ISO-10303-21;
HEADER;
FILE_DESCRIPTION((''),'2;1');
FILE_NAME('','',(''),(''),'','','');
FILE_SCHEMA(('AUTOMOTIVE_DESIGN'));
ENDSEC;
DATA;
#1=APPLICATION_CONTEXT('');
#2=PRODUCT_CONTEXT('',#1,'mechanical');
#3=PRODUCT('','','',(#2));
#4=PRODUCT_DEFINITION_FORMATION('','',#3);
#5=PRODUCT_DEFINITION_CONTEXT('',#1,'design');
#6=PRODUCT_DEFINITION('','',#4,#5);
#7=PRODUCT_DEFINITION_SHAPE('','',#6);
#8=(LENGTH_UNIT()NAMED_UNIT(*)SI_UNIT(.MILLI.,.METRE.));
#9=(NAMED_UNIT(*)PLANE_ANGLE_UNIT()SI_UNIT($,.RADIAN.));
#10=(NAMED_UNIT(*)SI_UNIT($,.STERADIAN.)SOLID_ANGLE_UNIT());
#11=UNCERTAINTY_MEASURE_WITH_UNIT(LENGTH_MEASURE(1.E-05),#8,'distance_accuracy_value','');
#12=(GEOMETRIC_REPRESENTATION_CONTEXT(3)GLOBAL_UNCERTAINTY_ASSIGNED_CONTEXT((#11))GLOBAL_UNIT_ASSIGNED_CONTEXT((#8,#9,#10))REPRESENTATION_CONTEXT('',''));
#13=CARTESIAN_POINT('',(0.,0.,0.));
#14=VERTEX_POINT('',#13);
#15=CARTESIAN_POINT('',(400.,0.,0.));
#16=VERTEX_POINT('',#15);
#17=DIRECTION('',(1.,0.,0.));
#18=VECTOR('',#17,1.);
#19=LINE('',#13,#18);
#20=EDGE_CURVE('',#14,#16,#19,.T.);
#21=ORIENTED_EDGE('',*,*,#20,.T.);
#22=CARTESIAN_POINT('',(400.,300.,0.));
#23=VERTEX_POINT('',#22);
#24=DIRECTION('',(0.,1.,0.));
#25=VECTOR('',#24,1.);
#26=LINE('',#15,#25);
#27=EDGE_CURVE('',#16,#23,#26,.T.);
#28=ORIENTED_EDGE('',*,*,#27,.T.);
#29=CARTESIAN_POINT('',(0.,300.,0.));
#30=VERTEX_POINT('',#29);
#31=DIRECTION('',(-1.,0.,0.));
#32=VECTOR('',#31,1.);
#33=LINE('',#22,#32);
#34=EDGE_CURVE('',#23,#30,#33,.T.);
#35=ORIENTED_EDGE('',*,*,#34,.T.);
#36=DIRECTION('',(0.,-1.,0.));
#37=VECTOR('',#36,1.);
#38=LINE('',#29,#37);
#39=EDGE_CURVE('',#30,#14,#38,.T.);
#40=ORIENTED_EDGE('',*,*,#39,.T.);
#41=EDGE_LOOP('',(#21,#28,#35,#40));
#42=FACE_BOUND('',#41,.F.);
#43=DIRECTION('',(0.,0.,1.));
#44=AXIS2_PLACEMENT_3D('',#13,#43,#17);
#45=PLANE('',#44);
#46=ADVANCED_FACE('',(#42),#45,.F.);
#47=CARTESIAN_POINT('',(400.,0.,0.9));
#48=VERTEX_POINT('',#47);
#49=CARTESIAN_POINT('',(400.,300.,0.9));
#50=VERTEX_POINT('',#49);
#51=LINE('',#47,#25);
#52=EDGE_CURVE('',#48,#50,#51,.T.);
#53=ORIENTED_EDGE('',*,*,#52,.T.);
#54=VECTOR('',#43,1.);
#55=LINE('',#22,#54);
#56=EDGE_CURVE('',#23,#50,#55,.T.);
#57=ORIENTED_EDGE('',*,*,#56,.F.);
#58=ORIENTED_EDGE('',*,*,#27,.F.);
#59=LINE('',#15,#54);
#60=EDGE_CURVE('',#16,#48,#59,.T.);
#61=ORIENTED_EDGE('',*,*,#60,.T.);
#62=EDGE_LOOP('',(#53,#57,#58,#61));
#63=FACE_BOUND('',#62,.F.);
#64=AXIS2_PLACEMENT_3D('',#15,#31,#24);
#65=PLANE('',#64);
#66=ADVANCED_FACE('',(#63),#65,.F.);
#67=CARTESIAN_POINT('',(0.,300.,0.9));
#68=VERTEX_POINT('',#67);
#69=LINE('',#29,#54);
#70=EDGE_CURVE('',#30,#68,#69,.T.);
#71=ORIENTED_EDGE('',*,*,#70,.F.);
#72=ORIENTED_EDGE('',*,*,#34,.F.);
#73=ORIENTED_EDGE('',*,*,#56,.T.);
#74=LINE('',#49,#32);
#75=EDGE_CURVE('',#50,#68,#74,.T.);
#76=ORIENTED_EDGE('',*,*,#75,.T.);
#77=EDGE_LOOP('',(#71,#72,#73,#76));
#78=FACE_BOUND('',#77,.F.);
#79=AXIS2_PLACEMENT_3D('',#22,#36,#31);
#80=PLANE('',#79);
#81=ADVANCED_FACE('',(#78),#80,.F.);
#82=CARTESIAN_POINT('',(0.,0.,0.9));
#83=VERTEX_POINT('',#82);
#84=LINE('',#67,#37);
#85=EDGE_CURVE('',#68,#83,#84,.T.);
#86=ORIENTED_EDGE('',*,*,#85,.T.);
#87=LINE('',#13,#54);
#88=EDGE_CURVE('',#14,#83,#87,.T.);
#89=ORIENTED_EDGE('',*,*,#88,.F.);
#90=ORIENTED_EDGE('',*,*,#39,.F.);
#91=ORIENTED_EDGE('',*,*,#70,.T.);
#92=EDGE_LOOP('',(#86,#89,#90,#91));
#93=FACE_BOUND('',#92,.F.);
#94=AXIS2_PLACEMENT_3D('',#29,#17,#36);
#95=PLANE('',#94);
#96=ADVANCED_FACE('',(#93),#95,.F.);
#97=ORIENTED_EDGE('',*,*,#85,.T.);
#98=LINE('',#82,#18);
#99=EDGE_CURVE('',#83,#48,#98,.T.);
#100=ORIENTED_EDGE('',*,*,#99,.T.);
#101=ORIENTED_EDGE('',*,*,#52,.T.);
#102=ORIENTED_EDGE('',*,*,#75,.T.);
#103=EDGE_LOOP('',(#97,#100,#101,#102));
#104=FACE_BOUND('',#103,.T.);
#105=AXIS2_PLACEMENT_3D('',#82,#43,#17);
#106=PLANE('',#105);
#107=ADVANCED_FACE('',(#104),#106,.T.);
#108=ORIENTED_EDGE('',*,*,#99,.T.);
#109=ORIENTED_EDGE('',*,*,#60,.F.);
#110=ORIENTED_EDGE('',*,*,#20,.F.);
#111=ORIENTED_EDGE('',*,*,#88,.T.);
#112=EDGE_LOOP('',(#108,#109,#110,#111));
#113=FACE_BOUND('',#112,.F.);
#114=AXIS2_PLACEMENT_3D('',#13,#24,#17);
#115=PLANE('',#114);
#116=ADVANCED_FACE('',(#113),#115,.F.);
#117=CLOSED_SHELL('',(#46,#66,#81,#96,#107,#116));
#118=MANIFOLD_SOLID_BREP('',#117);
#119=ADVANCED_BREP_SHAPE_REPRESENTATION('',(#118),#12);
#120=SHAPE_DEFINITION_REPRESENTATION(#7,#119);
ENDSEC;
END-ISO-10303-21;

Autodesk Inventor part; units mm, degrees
ref_plane "YZ Plane" through (0, 0, 0) normal (1, 0, 0) x (0, 1, 0)
ref_plane "XZ Plane" through (0, 0, 0) normal (0, 1, 0) x (-1, 0, 0)
ref_plane "XY Plane" through (0, 0, 0) normal (0, 0, 1) x (1, 0, 0)
sketch "Sketch1" plane through (0, 0, 0) normal (0, 0, 1) x (1, 0, 0)
  line L0 (0, 0) -> (400, 0)
  line L1 (400, 0) -> (400, 300)
  line L2 (400, 300) -> (0, 300)
  line L3 (0, 300) -> (0, 0)
  dimension "d0" = 400
  dimension "d1" = 300
extrude "Extrusion1" add sketch "Sketch1" along normal blind 0.9
sketch "Sketch2" plane through (0, 0, 0.9) normal (0, 0, 1) x (1, 0, 0)
  line L0 (8.52, 246.5646) -> (391.4673, 246.5646) construction
  line L1 (391.4673, 246.5646) -> (391.4673, 53.4355) construction
  line L2 (391.4673, 53.4355) -> (8.52, 53.4355) construction
  line L3 (8.52, 53.4355) -> (8.52, 246.5646) construction
  line L4 (0, 0) -> (400, 0) projected
  line L5 (0, 300) -> (0, 0) projected
  dimension "d40" = 53.4355
  dimension "d41" = 8.52
decal "Decal1"
properties part number "Advertencia"
